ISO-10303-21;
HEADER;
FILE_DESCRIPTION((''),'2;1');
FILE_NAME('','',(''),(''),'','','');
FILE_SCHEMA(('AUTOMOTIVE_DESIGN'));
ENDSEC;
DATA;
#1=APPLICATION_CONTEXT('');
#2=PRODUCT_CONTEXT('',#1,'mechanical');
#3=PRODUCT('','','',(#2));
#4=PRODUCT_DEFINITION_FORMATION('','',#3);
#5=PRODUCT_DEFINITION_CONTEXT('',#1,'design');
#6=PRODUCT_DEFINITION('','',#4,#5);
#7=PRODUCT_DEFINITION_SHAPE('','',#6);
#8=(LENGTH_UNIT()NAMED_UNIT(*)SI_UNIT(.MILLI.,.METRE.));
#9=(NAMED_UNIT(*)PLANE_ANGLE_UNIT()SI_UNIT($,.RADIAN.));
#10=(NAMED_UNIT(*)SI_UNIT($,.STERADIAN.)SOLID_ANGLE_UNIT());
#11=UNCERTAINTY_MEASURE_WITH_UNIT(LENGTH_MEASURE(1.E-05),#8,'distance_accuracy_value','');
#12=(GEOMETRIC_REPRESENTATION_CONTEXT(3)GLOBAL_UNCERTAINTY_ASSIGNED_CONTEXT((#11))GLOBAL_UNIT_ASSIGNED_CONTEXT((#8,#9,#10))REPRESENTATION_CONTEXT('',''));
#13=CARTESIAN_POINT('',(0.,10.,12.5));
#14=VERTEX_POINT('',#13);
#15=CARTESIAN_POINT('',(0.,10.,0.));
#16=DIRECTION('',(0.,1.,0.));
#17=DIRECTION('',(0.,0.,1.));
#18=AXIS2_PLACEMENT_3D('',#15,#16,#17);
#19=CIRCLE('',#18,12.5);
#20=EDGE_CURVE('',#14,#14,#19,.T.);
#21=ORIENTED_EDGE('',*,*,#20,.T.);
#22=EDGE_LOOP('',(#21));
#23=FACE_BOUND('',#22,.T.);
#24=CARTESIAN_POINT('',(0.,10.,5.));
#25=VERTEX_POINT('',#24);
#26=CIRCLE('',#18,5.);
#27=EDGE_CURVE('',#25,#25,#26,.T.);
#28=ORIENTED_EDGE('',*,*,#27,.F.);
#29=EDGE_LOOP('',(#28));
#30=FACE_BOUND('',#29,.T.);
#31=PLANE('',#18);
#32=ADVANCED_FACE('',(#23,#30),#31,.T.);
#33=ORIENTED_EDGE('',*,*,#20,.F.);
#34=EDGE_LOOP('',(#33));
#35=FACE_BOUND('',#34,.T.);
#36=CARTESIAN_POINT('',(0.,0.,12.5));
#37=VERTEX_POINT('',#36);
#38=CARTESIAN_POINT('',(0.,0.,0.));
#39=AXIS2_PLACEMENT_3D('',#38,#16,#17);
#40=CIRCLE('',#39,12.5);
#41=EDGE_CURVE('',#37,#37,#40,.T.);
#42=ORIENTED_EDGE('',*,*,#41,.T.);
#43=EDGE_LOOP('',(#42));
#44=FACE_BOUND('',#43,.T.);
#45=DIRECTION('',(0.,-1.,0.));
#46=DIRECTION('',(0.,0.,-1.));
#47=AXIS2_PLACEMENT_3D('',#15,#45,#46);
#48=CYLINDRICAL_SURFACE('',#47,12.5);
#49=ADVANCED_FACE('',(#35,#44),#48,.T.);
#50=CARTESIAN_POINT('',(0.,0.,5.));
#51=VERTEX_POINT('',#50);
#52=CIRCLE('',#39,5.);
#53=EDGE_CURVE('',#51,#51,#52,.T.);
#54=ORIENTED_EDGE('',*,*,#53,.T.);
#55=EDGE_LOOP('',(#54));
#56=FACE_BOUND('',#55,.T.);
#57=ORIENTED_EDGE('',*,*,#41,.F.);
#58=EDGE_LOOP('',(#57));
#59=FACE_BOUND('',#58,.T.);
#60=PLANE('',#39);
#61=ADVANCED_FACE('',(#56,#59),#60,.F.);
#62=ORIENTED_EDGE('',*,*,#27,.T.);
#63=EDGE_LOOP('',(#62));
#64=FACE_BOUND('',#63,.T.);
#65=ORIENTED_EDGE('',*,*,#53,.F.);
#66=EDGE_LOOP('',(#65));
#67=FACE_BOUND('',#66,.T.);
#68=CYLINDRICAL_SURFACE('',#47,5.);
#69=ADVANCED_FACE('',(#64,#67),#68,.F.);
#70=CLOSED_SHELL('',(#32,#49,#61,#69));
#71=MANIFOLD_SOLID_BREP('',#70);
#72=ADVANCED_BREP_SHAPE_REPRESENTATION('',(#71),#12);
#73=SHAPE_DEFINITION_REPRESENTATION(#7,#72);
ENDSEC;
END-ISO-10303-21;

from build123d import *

# Parameters (mm, degrees)
SKETCH1_R           = 12.5
SKETCH1_R_2         = 5
BOSS_EXTRUDE1_DEPTH = 10


with BuildPart() as part:
    # Sketch1 → Boss-Extrude1 (new body)
    with BuildSketch(Plane(origin=(0, 0, 0), x_dir=(1, 0, 0), z_dir=(0, 1, 0))):
        Circle(SKETCH1_R)
        Circle(SKETCH1_R_2, mode=Mode.SUBTRACT)
    extrude(amount=BOSS_EXTRUDE1_DEPTH)


solid = part.part
